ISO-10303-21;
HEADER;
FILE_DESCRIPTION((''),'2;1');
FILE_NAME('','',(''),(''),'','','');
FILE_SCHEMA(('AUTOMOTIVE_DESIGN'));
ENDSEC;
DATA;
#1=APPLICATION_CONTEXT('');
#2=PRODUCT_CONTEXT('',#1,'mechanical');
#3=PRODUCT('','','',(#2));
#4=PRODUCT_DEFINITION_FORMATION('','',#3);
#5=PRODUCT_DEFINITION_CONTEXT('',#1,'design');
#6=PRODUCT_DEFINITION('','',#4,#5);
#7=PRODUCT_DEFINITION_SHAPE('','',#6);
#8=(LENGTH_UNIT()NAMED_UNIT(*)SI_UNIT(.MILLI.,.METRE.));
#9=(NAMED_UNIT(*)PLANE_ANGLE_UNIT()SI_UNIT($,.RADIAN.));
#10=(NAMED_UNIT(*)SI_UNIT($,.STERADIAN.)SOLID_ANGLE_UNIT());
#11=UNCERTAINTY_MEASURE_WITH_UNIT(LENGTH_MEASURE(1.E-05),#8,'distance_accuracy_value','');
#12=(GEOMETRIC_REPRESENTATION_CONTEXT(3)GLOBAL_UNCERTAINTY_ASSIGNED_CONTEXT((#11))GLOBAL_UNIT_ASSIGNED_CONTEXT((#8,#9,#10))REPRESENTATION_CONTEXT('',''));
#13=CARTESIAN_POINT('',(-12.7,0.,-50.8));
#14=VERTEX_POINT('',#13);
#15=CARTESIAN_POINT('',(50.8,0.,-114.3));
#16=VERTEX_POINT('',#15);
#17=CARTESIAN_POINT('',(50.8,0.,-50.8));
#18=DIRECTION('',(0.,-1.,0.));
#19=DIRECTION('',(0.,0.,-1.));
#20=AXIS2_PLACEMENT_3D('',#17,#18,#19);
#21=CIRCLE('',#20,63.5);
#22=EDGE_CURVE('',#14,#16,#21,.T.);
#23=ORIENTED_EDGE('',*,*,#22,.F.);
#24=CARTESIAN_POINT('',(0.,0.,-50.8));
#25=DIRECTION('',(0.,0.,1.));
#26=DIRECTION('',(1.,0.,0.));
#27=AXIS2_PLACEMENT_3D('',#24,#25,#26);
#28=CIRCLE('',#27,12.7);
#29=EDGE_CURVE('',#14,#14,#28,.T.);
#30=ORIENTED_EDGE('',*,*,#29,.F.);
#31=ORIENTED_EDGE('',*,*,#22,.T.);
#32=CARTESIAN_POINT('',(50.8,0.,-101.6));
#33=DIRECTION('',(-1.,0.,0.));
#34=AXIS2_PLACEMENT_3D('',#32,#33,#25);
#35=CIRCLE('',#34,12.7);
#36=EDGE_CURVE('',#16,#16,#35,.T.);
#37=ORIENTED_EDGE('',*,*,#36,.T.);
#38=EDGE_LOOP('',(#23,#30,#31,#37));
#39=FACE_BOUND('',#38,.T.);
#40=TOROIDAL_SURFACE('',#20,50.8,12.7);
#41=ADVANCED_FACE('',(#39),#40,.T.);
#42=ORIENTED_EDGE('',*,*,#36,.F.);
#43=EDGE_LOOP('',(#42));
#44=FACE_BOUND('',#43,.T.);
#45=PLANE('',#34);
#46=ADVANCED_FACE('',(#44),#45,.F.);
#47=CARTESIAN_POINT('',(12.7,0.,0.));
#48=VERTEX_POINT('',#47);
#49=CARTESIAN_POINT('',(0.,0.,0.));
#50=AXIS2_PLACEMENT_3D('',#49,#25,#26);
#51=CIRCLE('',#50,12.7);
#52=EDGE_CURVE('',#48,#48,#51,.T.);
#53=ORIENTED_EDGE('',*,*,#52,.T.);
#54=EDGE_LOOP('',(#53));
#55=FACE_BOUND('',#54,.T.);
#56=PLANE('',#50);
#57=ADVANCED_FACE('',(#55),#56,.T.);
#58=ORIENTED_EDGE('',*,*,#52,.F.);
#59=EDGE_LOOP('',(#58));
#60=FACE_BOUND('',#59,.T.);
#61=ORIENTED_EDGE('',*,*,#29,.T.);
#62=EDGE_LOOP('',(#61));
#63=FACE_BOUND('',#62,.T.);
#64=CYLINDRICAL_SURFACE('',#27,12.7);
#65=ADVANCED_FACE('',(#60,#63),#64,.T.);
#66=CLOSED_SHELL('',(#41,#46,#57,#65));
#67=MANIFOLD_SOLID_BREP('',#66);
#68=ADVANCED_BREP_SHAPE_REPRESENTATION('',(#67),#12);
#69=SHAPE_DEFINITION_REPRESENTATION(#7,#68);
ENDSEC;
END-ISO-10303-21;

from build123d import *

# Parameters (mm, degrees)
SKETCH1_R = 12.7


with BuildPart() as part:
    # Sweep1: sweep along a path in Sketch2
    with BuildLine(Plane(origin=(0, 0, 0), x_dir=(1, 0, 0), z_dir=(0, 1, 0))) as sweep1_path:
        Line((0, 0), (0, 50.8))
        ThreePointArc((0, 50.8), (14.878975516, 86.721024484), (50.8, 101.6))
    # Sketch1 → Sweep1 (sweep)
    with BuildSketch(Plane.XY):
        Circle(SKETCH1_R)
    sweep(path=sweep1_path.line)


solid = part.part
